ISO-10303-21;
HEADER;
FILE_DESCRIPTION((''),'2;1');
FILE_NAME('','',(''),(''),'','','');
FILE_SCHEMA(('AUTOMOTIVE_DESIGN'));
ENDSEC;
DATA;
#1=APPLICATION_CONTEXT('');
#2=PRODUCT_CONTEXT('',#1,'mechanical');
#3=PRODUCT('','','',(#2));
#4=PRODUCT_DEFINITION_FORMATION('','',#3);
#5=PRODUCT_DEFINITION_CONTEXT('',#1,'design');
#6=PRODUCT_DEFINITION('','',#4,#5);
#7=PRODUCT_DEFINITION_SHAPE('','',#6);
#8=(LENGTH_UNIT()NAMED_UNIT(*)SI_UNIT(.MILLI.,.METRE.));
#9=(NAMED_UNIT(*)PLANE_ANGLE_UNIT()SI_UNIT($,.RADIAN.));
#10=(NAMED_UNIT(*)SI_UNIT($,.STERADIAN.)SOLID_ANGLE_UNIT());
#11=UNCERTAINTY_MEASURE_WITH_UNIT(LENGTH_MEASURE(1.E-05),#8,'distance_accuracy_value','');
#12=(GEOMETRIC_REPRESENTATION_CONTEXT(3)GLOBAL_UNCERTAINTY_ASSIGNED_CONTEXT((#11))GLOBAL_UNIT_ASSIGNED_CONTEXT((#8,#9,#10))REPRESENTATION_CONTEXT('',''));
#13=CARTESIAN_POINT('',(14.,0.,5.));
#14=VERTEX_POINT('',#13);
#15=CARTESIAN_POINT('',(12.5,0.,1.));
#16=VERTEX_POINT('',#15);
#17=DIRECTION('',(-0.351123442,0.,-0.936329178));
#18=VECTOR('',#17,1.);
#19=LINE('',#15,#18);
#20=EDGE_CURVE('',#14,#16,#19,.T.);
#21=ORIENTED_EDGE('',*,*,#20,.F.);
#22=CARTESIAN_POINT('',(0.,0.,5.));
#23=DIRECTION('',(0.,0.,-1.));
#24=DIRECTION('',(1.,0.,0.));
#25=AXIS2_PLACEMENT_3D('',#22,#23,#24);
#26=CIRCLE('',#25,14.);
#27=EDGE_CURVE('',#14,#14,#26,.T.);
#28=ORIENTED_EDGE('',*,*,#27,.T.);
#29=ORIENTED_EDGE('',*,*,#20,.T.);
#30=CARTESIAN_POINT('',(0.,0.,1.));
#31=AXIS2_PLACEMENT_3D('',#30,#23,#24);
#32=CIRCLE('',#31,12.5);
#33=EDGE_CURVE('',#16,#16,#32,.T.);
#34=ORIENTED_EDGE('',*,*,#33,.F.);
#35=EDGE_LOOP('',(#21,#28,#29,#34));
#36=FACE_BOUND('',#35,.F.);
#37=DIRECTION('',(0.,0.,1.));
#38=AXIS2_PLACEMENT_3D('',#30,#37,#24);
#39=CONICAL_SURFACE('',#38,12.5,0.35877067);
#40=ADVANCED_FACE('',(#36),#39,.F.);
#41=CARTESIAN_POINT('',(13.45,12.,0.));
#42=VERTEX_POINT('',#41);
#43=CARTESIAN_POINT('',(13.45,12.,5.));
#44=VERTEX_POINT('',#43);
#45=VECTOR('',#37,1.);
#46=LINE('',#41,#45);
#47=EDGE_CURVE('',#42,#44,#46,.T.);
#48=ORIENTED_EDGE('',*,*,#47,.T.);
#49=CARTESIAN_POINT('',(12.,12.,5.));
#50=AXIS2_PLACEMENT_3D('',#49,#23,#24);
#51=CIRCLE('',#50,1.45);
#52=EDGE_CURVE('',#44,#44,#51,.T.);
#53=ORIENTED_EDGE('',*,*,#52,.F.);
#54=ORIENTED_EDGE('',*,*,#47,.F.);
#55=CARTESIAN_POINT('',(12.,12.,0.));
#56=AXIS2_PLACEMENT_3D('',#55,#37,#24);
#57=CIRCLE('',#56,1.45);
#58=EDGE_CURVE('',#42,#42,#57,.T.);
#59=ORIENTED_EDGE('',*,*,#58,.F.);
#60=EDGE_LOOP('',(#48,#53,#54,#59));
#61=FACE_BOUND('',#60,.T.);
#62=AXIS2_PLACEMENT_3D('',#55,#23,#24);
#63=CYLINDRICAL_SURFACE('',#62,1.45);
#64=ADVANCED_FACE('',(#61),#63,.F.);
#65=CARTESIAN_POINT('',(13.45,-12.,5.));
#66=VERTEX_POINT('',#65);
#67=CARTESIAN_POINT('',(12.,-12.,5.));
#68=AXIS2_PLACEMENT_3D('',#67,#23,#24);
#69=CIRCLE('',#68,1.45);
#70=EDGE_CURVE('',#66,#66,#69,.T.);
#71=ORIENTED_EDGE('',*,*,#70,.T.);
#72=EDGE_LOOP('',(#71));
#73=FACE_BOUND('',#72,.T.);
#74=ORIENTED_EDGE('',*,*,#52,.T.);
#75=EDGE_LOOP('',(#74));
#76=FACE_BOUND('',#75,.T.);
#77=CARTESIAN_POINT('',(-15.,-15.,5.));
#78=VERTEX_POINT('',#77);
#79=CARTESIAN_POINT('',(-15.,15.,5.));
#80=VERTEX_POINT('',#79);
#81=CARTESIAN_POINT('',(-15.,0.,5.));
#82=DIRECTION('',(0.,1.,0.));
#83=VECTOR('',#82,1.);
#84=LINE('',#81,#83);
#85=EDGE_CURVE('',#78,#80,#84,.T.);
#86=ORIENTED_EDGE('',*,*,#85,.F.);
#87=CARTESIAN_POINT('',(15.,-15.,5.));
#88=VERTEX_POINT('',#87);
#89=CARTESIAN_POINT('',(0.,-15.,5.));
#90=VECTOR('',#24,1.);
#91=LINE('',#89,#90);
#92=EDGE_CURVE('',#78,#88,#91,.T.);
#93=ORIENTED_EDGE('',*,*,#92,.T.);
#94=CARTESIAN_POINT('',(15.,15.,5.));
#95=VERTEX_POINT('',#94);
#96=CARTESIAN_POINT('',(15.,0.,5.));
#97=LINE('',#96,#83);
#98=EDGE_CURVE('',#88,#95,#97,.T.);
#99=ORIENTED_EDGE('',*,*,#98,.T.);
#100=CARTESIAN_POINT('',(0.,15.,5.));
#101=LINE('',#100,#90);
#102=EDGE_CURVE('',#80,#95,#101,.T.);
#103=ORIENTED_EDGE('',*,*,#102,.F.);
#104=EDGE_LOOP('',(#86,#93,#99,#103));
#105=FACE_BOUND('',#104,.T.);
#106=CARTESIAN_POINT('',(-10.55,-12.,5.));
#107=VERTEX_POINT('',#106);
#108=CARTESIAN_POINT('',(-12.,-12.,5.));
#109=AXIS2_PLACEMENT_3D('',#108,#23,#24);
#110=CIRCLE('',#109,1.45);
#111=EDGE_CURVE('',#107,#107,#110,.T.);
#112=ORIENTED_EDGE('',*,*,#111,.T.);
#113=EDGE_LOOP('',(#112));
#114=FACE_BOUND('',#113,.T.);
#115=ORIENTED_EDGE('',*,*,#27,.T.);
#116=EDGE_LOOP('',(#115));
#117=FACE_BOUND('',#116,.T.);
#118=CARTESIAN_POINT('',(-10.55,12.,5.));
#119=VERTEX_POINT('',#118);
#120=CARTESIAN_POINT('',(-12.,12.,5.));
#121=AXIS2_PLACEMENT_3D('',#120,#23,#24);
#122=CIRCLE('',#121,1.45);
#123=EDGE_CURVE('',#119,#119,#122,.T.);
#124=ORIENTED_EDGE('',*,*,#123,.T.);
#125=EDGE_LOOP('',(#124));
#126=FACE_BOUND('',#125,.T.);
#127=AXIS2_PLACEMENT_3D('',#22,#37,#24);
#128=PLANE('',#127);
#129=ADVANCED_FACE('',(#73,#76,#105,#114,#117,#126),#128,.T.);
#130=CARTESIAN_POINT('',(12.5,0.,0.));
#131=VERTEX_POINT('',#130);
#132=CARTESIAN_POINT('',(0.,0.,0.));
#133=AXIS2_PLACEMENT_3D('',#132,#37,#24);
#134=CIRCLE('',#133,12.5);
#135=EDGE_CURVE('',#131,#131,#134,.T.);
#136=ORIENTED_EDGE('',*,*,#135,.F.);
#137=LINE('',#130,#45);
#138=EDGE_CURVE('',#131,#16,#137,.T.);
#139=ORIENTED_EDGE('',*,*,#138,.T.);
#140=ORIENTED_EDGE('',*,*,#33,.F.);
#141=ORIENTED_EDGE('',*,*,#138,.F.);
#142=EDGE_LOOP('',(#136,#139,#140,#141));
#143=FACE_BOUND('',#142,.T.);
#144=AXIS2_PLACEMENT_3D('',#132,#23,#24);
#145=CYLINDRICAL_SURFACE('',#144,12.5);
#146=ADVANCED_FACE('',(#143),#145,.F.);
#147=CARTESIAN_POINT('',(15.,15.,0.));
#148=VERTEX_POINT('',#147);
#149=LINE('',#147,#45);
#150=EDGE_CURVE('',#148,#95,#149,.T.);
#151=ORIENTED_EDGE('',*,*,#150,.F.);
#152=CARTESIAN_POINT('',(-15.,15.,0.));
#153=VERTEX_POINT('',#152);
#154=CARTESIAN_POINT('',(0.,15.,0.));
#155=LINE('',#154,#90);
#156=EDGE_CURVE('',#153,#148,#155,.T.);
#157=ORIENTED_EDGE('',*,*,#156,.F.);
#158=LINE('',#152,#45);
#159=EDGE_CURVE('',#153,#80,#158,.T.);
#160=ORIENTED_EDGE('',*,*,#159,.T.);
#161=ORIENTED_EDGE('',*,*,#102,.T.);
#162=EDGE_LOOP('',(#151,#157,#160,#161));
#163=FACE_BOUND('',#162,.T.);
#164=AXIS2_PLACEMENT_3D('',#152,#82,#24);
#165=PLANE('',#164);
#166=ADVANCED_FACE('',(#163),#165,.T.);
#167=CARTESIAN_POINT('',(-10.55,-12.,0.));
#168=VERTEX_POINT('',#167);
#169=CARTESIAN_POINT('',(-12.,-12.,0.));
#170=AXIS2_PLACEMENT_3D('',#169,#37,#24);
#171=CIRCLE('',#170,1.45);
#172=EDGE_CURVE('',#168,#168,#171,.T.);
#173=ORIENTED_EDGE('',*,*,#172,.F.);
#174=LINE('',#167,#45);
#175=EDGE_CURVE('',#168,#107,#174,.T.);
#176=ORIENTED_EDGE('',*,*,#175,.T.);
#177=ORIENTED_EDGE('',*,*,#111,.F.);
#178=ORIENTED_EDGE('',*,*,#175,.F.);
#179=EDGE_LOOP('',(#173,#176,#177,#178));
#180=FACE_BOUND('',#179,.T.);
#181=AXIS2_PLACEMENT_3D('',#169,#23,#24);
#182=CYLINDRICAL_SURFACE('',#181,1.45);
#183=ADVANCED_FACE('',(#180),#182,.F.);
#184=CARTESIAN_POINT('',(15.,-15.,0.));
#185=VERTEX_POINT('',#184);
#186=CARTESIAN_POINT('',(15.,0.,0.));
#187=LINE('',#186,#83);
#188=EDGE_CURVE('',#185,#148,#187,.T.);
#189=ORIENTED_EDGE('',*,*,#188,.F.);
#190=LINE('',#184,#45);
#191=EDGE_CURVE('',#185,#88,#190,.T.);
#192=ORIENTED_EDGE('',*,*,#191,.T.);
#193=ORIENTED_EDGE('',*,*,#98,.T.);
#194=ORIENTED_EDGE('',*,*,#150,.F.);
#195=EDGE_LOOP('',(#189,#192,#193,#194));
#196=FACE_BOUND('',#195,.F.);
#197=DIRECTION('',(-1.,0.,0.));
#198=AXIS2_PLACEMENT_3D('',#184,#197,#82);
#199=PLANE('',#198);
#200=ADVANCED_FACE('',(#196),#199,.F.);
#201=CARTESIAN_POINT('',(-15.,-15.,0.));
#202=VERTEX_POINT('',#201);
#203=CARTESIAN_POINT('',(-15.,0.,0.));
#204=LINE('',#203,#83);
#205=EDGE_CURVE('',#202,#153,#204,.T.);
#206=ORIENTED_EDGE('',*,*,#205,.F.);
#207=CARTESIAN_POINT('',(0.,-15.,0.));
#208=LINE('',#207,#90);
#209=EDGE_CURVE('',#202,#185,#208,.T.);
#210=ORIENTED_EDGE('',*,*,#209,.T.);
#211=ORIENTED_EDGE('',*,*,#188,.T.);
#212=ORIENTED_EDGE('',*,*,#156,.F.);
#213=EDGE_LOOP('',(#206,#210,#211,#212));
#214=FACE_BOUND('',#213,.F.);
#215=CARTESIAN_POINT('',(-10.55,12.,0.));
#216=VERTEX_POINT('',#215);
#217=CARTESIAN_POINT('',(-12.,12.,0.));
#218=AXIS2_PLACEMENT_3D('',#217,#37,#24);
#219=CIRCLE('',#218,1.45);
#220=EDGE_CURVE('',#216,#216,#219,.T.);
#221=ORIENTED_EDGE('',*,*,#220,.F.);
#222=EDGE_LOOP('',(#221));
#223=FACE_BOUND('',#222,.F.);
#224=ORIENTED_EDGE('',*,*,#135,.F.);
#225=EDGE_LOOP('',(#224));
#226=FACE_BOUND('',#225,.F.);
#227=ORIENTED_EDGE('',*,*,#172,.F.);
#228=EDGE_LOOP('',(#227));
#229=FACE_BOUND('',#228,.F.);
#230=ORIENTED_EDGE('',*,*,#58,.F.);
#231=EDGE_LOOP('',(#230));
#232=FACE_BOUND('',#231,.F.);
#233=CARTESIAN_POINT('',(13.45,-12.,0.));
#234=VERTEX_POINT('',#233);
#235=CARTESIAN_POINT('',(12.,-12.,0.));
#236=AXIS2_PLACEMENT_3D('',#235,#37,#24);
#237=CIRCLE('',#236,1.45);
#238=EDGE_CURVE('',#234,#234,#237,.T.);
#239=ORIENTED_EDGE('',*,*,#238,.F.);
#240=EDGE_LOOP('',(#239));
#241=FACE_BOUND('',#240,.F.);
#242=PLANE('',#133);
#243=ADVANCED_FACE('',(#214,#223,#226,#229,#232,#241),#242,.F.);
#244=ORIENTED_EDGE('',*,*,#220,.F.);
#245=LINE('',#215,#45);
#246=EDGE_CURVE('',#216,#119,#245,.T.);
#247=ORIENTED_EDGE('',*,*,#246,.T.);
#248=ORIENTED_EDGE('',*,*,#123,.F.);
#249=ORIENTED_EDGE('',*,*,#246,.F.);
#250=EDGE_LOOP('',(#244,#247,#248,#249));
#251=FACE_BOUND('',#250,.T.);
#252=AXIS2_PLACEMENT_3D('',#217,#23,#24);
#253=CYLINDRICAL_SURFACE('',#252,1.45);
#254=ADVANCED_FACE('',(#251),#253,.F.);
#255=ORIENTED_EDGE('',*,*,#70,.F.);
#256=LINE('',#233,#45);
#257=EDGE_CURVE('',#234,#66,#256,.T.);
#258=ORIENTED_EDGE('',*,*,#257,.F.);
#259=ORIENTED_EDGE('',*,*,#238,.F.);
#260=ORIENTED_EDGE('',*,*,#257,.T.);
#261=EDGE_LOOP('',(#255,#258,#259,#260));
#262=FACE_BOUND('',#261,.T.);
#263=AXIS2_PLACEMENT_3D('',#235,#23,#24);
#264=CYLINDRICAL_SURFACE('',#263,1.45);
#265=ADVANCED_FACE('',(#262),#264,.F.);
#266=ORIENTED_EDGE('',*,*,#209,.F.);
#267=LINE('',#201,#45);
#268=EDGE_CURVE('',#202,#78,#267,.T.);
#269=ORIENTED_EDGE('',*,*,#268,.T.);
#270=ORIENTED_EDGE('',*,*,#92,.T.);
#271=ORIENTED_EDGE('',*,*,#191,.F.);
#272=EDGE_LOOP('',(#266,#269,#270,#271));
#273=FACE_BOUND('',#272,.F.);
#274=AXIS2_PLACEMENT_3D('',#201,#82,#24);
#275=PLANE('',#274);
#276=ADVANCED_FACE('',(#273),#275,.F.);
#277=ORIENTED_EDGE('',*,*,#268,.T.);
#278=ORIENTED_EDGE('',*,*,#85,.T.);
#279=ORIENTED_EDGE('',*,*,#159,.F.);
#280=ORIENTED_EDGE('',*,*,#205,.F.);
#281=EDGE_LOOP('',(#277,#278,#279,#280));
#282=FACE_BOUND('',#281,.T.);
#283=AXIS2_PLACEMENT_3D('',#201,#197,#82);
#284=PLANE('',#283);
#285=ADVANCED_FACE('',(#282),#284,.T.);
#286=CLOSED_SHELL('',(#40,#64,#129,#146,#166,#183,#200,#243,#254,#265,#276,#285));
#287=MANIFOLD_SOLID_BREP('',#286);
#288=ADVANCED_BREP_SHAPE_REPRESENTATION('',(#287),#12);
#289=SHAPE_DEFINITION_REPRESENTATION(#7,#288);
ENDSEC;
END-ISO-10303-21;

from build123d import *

# Parameters (mm, degrees)
CYLINDER004_R     = 12.5
CYLINDER004_DEPTH = 10
CYLINDER001_R     = 1.45
CYLINDER001_DEPTH = 10
CYLINDER_R        = 1.45
CYLINDER_DEPTH    = 10
CYLINDER002_R     = 1.45
CYLINDER002_DEPTH = 10
CYLINDER003_R     = 1.45
CYLINDER003_DEPTH = 10
BOX_W             = 30
BOX_H             = 30
BOX_DEPTH         = 5
CHAMFER_SIZE2     = 4
CHAMFER_SIZE      = 1.5


with BuildPart() as cylinder004:
    # Cylinder004 → Cylinder004 (new body)
    with BuildSketch(Plane.XY):
        Circle(CYLINDER004_R)
    extrude(amount=CYLINDER004_DEPTH)


with BuildPart() as cylinder001:
    # Cylinder001 → Cylinder001 (new body)
    with BuildSketch(Plane(origin=(-12, 12, 0), x_dir=(1, 0, 0), z_dir=(0, 0, 1))):
        Circle(CYLINDER001_R)
    extrude(amount=CYLINDER001_DEPTH)


with BuildPart() as cylinder:
    # Cylinder → Cylinder (new body)
    with BuildSketch(Plane(origin=(12, 12, 0), x_dir=(1, 0, 0), z_dir=(0, 0, 1))):
        Circle(CYLINDER_R)
    extrude(amount=CYLINDER_DEPTH)


with BuildPart() as cylinder002:
    # Cylinder002 → Cylinder002 (new body)
    with BuildSketch(Plane(origin=(12, -12, 0), x_dir=(1, 0, 0), z_dir=(0, 0, 1))):
        Circle(CYLINDER002_R)
    extrude(amount=CYLINDER002_DEPTH)


with BuildPart() as fusion:
    # Cylinder003 → Cylinder003 (new body)
    with BuildSketch(Plane(origin=(-12, -12, 0), x_dir=(1, 0, 0), z_dir=(0, 0, 1))):
        Circle(CYLINDER003_R)
    extrude(amount=CYLINDER003_DEPTH)

    # Fusion: union Cylinder001, Cylinder, Cylinder002
    add(cylinder001.part)
    add(cylinder.part)
    add(cylinder002.part)


with BuildPart() as fan_template:
    # Box → Box (new body)
    with BuildSketch(Plane(origin=(-15, -15, 0), x_dir=(1, 0, 0), z_dir=(0, 0, 1))):
        with Locations((15, 15)):
            Rectangle(BOX_W, BOX_H)
    extrude(amount=BOX_DEPTH)

    # Cut: cut Fusion
    add(fusion.part, mode=Mode.SUBTRACT)

    # Cut001: cut Cylinder004
    add(cylinder004.part, mode=Mode.SUBTRACT)

    # Chamfer
    chamfer_edges = [fan_template.edges().sort_by_distance(p)[0] for p in [
        (-12.5, 0, 5),
    ]]
    chamfer_side = fan_template.faces().sort_by_distance((-14.575736, 0, 5))[0]
    chamfer(chamfer_edges, length=CHAMFER_SIZE, length2=CHAMFER_SIZE2, reference=chamfer_side)


solid = fan_template.part
